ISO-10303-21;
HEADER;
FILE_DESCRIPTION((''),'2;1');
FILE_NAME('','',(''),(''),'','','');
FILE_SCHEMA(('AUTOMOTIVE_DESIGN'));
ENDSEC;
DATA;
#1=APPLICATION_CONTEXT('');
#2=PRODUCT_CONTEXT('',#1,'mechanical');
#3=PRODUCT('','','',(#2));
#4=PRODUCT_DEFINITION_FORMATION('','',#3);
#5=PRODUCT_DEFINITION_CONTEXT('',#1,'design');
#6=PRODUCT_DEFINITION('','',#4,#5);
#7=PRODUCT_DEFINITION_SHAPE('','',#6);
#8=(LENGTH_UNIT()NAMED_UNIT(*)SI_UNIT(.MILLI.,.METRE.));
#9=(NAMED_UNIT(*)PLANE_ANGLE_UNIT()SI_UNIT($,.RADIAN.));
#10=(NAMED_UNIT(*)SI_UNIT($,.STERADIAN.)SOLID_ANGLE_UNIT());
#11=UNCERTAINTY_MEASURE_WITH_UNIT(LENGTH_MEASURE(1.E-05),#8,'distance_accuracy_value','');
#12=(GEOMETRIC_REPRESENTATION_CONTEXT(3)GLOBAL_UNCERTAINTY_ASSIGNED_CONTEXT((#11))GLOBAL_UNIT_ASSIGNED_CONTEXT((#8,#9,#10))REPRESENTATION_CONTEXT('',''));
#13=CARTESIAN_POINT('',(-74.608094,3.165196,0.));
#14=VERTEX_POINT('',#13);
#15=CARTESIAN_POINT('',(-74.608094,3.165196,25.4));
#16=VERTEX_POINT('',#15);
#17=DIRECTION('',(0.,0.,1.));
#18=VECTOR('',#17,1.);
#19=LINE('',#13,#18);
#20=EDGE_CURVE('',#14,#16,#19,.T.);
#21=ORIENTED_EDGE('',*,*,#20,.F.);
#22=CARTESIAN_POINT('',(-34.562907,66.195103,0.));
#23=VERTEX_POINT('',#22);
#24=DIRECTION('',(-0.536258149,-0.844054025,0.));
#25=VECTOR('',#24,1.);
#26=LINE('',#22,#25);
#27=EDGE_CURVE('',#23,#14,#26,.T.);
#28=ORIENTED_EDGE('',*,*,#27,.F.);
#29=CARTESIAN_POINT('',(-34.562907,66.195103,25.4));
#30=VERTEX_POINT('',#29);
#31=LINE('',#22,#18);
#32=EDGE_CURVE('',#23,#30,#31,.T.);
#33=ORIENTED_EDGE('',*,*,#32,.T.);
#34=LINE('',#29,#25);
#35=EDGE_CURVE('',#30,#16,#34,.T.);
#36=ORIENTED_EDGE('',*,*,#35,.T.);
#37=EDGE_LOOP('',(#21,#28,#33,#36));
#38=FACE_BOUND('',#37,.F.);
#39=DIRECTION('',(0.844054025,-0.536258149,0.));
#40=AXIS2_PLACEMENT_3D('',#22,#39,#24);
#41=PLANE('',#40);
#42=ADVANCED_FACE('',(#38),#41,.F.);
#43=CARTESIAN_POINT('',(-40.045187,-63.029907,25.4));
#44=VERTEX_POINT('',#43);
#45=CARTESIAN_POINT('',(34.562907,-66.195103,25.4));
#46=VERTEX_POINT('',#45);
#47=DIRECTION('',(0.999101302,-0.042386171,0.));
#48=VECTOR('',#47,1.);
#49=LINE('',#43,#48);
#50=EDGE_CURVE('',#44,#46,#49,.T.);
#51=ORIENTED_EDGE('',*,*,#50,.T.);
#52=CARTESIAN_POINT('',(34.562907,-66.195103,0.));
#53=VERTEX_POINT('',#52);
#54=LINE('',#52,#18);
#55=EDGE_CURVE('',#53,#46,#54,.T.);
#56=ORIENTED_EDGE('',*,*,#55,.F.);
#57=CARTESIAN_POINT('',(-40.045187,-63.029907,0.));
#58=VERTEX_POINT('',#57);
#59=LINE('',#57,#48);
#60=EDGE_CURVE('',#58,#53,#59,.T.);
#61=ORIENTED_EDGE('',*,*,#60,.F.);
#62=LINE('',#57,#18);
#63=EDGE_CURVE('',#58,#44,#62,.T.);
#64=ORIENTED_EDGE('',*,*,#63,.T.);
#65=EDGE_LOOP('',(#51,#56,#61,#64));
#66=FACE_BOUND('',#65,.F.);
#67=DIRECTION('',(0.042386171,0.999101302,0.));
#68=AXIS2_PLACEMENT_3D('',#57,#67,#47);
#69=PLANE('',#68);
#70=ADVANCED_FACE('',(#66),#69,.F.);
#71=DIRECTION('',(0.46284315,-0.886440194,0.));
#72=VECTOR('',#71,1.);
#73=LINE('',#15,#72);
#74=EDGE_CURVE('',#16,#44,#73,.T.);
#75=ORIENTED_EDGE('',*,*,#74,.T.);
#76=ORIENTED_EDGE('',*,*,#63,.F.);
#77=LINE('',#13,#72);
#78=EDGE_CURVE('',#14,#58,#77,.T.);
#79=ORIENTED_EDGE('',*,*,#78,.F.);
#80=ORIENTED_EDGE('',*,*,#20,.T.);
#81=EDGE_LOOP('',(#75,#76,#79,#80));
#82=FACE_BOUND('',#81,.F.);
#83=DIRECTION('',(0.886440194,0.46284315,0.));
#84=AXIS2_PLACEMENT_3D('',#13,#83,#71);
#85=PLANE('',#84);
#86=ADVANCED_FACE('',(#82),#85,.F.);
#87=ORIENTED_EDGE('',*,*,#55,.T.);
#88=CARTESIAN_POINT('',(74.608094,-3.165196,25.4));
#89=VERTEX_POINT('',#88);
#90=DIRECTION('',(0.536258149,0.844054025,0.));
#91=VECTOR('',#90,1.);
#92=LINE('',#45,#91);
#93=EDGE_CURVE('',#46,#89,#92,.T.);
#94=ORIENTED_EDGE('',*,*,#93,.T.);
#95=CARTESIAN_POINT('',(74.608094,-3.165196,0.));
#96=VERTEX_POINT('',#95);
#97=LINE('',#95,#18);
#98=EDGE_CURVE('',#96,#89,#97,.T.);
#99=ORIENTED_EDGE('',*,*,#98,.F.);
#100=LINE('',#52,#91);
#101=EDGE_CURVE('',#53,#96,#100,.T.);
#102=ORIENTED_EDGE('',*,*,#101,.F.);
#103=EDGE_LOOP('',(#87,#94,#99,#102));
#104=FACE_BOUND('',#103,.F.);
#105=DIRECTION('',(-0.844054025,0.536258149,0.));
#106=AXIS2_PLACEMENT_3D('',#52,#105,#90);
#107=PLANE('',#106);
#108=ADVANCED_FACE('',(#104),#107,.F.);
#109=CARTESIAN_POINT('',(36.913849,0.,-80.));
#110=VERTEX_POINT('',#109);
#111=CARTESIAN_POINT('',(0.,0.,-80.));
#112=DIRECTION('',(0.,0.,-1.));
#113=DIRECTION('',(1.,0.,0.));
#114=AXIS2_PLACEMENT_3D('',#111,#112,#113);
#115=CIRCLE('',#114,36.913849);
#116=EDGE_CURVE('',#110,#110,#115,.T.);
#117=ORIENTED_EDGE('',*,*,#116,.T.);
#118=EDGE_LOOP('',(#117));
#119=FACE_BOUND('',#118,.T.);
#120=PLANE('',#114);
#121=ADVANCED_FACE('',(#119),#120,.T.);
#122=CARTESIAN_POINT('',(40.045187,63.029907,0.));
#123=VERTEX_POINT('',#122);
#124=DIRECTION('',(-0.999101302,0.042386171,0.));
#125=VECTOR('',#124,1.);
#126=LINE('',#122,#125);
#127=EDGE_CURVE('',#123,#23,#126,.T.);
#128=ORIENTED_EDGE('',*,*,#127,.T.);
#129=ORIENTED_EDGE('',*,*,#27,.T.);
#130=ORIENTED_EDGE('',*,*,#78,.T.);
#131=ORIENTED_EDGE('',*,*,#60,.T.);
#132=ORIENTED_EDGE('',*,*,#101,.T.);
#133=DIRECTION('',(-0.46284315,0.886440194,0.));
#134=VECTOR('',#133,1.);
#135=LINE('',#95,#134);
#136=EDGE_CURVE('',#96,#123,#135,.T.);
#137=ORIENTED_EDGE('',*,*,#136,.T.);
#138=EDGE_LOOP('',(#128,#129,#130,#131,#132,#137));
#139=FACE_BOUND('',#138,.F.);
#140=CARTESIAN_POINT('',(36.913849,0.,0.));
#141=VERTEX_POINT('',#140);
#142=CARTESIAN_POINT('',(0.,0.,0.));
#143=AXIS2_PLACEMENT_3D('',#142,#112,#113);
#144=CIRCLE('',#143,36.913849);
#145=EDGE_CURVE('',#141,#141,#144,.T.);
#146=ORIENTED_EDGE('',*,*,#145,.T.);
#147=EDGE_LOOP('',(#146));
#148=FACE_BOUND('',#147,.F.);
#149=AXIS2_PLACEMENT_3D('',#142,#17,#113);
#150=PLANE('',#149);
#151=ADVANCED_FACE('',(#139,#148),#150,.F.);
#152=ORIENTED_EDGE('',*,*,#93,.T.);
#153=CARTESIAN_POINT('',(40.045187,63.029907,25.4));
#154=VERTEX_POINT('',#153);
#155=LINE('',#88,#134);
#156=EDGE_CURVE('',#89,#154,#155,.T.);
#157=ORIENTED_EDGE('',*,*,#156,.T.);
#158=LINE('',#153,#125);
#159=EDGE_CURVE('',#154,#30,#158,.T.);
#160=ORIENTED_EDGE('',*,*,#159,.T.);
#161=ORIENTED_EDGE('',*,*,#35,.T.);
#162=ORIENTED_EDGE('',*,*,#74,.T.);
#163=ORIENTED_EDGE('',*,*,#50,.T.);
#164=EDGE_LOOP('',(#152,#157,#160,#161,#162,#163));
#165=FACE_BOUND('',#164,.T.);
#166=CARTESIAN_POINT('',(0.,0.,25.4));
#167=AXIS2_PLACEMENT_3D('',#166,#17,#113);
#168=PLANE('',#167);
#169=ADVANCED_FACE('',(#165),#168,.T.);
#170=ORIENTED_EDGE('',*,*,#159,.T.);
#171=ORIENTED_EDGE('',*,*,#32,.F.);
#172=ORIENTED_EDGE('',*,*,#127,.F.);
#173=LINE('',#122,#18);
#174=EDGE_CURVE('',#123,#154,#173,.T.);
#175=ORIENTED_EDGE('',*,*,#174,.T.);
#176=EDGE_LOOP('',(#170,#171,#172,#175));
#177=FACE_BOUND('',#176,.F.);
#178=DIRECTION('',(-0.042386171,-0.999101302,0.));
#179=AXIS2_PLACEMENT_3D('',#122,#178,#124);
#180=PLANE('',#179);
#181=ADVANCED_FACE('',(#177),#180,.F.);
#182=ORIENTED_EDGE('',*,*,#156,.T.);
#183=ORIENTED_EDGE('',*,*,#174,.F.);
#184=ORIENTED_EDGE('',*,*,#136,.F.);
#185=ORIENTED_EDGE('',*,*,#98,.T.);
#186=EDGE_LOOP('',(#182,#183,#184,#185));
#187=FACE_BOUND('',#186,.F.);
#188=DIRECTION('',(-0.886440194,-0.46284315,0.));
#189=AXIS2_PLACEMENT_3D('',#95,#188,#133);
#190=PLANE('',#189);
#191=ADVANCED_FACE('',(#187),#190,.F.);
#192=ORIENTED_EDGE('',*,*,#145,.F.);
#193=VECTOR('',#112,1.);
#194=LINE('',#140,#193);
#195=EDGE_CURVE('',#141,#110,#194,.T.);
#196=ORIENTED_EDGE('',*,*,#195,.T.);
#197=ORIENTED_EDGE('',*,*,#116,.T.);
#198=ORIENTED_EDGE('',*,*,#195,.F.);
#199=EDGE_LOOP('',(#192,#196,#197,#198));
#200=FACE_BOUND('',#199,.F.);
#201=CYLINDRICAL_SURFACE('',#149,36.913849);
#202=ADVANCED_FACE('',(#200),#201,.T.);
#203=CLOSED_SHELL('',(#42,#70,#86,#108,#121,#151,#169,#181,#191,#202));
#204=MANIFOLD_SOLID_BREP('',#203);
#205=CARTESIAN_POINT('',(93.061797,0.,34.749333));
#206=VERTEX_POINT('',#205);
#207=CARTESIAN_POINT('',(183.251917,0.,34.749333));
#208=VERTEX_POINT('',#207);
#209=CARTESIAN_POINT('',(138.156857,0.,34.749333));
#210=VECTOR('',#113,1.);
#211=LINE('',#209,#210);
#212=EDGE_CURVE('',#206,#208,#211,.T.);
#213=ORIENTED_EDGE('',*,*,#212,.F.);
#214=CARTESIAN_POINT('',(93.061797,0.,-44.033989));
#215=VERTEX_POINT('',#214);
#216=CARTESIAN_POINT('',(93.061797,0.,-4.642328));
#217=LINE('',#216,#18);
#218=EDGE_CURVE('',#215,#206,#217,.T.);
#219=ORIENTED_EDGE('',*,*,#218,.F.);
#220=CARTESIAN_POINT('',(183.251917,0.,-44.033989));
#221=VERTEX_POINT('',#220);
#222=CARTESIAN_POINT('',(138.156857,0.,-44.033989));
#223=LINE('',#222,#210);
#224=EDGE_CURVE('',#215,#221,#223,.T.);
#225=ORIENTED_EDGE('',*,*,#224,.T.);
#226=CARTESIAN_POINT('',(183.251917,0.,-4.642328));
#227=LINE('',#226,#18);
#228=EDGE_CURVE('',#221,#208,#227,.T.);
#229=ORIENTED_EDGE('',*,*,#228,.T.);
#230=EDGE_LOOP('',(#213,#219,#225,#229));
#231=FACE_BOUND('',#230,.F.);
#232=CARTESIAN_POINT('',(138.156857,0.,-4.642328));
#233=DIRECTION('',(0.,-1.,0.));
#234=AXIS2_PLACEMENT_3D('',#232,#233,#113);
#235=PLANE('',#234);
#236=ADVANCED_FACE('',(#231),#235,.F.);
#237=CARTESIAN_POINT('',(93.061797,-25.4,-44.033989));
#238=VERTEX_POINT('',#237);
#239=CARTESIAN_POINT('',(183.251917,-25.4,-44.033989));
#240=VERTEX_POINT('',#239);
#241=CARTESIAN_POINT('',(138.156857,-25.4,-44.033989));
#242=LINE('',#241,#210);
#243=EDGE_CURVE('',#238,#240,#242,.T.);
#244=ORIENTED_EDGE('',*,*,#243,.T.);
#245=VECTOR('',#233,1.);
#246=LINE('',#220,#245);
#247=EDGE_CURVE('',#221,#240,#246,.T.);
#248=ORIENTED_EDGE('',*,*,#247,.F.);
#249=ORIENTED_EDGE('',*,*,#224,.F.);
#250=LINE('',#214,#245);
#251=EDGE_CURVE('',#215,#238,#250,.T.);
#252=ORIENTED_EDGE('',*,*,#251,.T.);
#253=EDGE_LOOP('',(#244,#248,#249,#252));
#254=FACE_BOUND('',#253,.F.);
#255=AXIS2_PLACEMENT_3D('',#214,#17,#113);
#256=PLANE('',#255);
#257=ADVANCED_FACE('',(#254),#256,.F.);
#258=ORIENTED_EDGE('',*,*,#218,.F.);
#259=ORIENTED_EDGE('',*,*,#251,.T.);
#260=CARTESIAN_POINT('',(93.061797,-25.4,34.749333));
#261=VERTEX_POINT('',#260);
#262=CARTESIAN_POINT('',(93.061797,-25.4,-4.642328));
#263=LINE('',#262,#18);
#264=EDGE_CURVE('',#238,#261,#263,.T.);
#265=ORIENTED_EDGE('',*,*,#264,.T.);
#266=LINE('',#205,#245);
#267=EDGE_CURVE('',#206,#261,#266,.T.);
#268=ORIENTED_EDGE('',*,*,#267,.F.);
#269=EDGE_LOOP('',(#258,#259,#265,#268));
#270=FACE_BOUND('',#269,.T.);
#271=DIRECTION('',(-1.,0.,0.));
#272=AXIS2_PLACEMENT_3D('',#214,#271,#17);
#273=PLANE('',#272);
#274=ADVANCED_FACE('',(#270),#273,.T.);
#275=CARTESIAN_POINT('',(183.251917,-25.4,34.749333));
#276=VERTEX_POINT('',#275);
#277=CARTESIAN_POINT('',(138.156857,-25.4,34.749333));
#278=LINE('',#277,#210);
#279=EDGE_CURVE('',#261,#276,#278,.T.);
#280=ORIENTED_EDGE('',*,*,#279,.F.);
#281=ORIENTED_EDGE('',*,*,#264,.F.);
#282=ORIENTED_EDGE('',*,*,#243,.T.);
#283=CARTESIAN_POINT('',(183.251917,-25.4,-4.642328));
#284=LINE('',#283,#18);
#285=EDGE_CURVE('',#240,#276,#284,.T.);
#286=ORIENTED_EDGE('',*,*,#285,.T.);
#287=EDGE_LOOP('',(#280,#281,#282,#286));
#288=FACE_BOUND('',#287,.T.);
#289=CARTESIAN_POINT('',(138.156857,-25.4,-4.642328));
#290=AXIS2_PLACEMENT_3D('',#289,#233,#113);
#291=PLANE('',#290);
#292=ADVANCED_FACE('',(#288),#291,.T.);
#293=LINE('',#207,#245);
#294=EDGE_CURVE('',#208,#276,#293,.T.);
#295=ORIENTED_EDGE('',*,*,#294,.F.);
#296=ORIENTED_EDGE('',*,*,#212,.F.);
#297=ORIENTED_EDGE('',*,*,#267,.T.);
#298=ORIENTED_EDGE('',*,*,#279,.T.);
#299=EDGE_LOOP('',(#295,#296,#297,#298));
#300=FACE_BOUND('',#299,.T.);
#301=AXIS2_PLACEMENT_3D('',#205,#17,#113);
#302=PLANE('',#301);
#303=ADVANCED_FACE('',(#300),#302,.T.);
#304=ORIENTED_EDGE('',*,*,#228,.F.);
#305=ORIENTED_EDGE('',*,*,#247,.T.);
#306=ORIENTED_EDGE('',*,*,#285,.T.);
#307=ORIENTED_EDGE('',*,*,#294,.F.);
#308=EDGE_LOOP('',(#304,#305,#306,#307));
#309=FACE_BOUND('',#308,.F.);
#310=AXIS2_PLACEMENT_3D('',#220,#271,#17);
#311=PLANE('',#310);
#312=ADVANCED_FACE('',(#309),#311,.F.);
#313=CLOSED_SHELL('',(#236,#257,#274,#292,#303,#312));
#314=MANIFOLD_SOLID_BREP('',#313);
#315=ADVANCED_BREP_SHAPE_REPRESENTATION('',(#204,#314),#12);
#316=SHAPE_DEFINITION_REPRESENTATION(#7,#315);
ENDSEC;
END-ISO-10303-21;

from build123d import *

# Parameters (mm, degrees)
F1_DEPTH = 25.4
F2_R     = 36.913849
F3_DEPTH = 80
F4_W     = 90.19012
F4_H     = 78.783322
F5_DEPTH = 25.4


with BuildPart() as f1:
    # F0 (on Top) → F1 (new body)
    with BuildSketch(Plane.XY):
        Polygon((74.608094, -3.165196), (40.045187, 63.029907), (-34.562907, 66.195103), (-74.608094, 3.165196), (-40.045187, -63.029907), (34.562907, -66.195103), align=None)
    extrude(amount=F1_DEPTH)

    # F2 (on face) → F3 (join)
    with BuildSketch(Plane(origin=(0, 0, 0), x_dir=(1, 0, 0), z_dir=(0, 0, -1))):
        Circle(F2_R)
    extrude(amount=F3_DEPTH)


with BuildPart() as f5:
    # F4 (on Front) → F5 (new body)
    with BuildSketch(Plane.XZ):
        with Locations((138.156857, -4.642328)):
            Rectangle(F4_W, F4_H)
    extrude(amount=F5_DEPTH)


solid = Compound([f1.part, f5.part])
